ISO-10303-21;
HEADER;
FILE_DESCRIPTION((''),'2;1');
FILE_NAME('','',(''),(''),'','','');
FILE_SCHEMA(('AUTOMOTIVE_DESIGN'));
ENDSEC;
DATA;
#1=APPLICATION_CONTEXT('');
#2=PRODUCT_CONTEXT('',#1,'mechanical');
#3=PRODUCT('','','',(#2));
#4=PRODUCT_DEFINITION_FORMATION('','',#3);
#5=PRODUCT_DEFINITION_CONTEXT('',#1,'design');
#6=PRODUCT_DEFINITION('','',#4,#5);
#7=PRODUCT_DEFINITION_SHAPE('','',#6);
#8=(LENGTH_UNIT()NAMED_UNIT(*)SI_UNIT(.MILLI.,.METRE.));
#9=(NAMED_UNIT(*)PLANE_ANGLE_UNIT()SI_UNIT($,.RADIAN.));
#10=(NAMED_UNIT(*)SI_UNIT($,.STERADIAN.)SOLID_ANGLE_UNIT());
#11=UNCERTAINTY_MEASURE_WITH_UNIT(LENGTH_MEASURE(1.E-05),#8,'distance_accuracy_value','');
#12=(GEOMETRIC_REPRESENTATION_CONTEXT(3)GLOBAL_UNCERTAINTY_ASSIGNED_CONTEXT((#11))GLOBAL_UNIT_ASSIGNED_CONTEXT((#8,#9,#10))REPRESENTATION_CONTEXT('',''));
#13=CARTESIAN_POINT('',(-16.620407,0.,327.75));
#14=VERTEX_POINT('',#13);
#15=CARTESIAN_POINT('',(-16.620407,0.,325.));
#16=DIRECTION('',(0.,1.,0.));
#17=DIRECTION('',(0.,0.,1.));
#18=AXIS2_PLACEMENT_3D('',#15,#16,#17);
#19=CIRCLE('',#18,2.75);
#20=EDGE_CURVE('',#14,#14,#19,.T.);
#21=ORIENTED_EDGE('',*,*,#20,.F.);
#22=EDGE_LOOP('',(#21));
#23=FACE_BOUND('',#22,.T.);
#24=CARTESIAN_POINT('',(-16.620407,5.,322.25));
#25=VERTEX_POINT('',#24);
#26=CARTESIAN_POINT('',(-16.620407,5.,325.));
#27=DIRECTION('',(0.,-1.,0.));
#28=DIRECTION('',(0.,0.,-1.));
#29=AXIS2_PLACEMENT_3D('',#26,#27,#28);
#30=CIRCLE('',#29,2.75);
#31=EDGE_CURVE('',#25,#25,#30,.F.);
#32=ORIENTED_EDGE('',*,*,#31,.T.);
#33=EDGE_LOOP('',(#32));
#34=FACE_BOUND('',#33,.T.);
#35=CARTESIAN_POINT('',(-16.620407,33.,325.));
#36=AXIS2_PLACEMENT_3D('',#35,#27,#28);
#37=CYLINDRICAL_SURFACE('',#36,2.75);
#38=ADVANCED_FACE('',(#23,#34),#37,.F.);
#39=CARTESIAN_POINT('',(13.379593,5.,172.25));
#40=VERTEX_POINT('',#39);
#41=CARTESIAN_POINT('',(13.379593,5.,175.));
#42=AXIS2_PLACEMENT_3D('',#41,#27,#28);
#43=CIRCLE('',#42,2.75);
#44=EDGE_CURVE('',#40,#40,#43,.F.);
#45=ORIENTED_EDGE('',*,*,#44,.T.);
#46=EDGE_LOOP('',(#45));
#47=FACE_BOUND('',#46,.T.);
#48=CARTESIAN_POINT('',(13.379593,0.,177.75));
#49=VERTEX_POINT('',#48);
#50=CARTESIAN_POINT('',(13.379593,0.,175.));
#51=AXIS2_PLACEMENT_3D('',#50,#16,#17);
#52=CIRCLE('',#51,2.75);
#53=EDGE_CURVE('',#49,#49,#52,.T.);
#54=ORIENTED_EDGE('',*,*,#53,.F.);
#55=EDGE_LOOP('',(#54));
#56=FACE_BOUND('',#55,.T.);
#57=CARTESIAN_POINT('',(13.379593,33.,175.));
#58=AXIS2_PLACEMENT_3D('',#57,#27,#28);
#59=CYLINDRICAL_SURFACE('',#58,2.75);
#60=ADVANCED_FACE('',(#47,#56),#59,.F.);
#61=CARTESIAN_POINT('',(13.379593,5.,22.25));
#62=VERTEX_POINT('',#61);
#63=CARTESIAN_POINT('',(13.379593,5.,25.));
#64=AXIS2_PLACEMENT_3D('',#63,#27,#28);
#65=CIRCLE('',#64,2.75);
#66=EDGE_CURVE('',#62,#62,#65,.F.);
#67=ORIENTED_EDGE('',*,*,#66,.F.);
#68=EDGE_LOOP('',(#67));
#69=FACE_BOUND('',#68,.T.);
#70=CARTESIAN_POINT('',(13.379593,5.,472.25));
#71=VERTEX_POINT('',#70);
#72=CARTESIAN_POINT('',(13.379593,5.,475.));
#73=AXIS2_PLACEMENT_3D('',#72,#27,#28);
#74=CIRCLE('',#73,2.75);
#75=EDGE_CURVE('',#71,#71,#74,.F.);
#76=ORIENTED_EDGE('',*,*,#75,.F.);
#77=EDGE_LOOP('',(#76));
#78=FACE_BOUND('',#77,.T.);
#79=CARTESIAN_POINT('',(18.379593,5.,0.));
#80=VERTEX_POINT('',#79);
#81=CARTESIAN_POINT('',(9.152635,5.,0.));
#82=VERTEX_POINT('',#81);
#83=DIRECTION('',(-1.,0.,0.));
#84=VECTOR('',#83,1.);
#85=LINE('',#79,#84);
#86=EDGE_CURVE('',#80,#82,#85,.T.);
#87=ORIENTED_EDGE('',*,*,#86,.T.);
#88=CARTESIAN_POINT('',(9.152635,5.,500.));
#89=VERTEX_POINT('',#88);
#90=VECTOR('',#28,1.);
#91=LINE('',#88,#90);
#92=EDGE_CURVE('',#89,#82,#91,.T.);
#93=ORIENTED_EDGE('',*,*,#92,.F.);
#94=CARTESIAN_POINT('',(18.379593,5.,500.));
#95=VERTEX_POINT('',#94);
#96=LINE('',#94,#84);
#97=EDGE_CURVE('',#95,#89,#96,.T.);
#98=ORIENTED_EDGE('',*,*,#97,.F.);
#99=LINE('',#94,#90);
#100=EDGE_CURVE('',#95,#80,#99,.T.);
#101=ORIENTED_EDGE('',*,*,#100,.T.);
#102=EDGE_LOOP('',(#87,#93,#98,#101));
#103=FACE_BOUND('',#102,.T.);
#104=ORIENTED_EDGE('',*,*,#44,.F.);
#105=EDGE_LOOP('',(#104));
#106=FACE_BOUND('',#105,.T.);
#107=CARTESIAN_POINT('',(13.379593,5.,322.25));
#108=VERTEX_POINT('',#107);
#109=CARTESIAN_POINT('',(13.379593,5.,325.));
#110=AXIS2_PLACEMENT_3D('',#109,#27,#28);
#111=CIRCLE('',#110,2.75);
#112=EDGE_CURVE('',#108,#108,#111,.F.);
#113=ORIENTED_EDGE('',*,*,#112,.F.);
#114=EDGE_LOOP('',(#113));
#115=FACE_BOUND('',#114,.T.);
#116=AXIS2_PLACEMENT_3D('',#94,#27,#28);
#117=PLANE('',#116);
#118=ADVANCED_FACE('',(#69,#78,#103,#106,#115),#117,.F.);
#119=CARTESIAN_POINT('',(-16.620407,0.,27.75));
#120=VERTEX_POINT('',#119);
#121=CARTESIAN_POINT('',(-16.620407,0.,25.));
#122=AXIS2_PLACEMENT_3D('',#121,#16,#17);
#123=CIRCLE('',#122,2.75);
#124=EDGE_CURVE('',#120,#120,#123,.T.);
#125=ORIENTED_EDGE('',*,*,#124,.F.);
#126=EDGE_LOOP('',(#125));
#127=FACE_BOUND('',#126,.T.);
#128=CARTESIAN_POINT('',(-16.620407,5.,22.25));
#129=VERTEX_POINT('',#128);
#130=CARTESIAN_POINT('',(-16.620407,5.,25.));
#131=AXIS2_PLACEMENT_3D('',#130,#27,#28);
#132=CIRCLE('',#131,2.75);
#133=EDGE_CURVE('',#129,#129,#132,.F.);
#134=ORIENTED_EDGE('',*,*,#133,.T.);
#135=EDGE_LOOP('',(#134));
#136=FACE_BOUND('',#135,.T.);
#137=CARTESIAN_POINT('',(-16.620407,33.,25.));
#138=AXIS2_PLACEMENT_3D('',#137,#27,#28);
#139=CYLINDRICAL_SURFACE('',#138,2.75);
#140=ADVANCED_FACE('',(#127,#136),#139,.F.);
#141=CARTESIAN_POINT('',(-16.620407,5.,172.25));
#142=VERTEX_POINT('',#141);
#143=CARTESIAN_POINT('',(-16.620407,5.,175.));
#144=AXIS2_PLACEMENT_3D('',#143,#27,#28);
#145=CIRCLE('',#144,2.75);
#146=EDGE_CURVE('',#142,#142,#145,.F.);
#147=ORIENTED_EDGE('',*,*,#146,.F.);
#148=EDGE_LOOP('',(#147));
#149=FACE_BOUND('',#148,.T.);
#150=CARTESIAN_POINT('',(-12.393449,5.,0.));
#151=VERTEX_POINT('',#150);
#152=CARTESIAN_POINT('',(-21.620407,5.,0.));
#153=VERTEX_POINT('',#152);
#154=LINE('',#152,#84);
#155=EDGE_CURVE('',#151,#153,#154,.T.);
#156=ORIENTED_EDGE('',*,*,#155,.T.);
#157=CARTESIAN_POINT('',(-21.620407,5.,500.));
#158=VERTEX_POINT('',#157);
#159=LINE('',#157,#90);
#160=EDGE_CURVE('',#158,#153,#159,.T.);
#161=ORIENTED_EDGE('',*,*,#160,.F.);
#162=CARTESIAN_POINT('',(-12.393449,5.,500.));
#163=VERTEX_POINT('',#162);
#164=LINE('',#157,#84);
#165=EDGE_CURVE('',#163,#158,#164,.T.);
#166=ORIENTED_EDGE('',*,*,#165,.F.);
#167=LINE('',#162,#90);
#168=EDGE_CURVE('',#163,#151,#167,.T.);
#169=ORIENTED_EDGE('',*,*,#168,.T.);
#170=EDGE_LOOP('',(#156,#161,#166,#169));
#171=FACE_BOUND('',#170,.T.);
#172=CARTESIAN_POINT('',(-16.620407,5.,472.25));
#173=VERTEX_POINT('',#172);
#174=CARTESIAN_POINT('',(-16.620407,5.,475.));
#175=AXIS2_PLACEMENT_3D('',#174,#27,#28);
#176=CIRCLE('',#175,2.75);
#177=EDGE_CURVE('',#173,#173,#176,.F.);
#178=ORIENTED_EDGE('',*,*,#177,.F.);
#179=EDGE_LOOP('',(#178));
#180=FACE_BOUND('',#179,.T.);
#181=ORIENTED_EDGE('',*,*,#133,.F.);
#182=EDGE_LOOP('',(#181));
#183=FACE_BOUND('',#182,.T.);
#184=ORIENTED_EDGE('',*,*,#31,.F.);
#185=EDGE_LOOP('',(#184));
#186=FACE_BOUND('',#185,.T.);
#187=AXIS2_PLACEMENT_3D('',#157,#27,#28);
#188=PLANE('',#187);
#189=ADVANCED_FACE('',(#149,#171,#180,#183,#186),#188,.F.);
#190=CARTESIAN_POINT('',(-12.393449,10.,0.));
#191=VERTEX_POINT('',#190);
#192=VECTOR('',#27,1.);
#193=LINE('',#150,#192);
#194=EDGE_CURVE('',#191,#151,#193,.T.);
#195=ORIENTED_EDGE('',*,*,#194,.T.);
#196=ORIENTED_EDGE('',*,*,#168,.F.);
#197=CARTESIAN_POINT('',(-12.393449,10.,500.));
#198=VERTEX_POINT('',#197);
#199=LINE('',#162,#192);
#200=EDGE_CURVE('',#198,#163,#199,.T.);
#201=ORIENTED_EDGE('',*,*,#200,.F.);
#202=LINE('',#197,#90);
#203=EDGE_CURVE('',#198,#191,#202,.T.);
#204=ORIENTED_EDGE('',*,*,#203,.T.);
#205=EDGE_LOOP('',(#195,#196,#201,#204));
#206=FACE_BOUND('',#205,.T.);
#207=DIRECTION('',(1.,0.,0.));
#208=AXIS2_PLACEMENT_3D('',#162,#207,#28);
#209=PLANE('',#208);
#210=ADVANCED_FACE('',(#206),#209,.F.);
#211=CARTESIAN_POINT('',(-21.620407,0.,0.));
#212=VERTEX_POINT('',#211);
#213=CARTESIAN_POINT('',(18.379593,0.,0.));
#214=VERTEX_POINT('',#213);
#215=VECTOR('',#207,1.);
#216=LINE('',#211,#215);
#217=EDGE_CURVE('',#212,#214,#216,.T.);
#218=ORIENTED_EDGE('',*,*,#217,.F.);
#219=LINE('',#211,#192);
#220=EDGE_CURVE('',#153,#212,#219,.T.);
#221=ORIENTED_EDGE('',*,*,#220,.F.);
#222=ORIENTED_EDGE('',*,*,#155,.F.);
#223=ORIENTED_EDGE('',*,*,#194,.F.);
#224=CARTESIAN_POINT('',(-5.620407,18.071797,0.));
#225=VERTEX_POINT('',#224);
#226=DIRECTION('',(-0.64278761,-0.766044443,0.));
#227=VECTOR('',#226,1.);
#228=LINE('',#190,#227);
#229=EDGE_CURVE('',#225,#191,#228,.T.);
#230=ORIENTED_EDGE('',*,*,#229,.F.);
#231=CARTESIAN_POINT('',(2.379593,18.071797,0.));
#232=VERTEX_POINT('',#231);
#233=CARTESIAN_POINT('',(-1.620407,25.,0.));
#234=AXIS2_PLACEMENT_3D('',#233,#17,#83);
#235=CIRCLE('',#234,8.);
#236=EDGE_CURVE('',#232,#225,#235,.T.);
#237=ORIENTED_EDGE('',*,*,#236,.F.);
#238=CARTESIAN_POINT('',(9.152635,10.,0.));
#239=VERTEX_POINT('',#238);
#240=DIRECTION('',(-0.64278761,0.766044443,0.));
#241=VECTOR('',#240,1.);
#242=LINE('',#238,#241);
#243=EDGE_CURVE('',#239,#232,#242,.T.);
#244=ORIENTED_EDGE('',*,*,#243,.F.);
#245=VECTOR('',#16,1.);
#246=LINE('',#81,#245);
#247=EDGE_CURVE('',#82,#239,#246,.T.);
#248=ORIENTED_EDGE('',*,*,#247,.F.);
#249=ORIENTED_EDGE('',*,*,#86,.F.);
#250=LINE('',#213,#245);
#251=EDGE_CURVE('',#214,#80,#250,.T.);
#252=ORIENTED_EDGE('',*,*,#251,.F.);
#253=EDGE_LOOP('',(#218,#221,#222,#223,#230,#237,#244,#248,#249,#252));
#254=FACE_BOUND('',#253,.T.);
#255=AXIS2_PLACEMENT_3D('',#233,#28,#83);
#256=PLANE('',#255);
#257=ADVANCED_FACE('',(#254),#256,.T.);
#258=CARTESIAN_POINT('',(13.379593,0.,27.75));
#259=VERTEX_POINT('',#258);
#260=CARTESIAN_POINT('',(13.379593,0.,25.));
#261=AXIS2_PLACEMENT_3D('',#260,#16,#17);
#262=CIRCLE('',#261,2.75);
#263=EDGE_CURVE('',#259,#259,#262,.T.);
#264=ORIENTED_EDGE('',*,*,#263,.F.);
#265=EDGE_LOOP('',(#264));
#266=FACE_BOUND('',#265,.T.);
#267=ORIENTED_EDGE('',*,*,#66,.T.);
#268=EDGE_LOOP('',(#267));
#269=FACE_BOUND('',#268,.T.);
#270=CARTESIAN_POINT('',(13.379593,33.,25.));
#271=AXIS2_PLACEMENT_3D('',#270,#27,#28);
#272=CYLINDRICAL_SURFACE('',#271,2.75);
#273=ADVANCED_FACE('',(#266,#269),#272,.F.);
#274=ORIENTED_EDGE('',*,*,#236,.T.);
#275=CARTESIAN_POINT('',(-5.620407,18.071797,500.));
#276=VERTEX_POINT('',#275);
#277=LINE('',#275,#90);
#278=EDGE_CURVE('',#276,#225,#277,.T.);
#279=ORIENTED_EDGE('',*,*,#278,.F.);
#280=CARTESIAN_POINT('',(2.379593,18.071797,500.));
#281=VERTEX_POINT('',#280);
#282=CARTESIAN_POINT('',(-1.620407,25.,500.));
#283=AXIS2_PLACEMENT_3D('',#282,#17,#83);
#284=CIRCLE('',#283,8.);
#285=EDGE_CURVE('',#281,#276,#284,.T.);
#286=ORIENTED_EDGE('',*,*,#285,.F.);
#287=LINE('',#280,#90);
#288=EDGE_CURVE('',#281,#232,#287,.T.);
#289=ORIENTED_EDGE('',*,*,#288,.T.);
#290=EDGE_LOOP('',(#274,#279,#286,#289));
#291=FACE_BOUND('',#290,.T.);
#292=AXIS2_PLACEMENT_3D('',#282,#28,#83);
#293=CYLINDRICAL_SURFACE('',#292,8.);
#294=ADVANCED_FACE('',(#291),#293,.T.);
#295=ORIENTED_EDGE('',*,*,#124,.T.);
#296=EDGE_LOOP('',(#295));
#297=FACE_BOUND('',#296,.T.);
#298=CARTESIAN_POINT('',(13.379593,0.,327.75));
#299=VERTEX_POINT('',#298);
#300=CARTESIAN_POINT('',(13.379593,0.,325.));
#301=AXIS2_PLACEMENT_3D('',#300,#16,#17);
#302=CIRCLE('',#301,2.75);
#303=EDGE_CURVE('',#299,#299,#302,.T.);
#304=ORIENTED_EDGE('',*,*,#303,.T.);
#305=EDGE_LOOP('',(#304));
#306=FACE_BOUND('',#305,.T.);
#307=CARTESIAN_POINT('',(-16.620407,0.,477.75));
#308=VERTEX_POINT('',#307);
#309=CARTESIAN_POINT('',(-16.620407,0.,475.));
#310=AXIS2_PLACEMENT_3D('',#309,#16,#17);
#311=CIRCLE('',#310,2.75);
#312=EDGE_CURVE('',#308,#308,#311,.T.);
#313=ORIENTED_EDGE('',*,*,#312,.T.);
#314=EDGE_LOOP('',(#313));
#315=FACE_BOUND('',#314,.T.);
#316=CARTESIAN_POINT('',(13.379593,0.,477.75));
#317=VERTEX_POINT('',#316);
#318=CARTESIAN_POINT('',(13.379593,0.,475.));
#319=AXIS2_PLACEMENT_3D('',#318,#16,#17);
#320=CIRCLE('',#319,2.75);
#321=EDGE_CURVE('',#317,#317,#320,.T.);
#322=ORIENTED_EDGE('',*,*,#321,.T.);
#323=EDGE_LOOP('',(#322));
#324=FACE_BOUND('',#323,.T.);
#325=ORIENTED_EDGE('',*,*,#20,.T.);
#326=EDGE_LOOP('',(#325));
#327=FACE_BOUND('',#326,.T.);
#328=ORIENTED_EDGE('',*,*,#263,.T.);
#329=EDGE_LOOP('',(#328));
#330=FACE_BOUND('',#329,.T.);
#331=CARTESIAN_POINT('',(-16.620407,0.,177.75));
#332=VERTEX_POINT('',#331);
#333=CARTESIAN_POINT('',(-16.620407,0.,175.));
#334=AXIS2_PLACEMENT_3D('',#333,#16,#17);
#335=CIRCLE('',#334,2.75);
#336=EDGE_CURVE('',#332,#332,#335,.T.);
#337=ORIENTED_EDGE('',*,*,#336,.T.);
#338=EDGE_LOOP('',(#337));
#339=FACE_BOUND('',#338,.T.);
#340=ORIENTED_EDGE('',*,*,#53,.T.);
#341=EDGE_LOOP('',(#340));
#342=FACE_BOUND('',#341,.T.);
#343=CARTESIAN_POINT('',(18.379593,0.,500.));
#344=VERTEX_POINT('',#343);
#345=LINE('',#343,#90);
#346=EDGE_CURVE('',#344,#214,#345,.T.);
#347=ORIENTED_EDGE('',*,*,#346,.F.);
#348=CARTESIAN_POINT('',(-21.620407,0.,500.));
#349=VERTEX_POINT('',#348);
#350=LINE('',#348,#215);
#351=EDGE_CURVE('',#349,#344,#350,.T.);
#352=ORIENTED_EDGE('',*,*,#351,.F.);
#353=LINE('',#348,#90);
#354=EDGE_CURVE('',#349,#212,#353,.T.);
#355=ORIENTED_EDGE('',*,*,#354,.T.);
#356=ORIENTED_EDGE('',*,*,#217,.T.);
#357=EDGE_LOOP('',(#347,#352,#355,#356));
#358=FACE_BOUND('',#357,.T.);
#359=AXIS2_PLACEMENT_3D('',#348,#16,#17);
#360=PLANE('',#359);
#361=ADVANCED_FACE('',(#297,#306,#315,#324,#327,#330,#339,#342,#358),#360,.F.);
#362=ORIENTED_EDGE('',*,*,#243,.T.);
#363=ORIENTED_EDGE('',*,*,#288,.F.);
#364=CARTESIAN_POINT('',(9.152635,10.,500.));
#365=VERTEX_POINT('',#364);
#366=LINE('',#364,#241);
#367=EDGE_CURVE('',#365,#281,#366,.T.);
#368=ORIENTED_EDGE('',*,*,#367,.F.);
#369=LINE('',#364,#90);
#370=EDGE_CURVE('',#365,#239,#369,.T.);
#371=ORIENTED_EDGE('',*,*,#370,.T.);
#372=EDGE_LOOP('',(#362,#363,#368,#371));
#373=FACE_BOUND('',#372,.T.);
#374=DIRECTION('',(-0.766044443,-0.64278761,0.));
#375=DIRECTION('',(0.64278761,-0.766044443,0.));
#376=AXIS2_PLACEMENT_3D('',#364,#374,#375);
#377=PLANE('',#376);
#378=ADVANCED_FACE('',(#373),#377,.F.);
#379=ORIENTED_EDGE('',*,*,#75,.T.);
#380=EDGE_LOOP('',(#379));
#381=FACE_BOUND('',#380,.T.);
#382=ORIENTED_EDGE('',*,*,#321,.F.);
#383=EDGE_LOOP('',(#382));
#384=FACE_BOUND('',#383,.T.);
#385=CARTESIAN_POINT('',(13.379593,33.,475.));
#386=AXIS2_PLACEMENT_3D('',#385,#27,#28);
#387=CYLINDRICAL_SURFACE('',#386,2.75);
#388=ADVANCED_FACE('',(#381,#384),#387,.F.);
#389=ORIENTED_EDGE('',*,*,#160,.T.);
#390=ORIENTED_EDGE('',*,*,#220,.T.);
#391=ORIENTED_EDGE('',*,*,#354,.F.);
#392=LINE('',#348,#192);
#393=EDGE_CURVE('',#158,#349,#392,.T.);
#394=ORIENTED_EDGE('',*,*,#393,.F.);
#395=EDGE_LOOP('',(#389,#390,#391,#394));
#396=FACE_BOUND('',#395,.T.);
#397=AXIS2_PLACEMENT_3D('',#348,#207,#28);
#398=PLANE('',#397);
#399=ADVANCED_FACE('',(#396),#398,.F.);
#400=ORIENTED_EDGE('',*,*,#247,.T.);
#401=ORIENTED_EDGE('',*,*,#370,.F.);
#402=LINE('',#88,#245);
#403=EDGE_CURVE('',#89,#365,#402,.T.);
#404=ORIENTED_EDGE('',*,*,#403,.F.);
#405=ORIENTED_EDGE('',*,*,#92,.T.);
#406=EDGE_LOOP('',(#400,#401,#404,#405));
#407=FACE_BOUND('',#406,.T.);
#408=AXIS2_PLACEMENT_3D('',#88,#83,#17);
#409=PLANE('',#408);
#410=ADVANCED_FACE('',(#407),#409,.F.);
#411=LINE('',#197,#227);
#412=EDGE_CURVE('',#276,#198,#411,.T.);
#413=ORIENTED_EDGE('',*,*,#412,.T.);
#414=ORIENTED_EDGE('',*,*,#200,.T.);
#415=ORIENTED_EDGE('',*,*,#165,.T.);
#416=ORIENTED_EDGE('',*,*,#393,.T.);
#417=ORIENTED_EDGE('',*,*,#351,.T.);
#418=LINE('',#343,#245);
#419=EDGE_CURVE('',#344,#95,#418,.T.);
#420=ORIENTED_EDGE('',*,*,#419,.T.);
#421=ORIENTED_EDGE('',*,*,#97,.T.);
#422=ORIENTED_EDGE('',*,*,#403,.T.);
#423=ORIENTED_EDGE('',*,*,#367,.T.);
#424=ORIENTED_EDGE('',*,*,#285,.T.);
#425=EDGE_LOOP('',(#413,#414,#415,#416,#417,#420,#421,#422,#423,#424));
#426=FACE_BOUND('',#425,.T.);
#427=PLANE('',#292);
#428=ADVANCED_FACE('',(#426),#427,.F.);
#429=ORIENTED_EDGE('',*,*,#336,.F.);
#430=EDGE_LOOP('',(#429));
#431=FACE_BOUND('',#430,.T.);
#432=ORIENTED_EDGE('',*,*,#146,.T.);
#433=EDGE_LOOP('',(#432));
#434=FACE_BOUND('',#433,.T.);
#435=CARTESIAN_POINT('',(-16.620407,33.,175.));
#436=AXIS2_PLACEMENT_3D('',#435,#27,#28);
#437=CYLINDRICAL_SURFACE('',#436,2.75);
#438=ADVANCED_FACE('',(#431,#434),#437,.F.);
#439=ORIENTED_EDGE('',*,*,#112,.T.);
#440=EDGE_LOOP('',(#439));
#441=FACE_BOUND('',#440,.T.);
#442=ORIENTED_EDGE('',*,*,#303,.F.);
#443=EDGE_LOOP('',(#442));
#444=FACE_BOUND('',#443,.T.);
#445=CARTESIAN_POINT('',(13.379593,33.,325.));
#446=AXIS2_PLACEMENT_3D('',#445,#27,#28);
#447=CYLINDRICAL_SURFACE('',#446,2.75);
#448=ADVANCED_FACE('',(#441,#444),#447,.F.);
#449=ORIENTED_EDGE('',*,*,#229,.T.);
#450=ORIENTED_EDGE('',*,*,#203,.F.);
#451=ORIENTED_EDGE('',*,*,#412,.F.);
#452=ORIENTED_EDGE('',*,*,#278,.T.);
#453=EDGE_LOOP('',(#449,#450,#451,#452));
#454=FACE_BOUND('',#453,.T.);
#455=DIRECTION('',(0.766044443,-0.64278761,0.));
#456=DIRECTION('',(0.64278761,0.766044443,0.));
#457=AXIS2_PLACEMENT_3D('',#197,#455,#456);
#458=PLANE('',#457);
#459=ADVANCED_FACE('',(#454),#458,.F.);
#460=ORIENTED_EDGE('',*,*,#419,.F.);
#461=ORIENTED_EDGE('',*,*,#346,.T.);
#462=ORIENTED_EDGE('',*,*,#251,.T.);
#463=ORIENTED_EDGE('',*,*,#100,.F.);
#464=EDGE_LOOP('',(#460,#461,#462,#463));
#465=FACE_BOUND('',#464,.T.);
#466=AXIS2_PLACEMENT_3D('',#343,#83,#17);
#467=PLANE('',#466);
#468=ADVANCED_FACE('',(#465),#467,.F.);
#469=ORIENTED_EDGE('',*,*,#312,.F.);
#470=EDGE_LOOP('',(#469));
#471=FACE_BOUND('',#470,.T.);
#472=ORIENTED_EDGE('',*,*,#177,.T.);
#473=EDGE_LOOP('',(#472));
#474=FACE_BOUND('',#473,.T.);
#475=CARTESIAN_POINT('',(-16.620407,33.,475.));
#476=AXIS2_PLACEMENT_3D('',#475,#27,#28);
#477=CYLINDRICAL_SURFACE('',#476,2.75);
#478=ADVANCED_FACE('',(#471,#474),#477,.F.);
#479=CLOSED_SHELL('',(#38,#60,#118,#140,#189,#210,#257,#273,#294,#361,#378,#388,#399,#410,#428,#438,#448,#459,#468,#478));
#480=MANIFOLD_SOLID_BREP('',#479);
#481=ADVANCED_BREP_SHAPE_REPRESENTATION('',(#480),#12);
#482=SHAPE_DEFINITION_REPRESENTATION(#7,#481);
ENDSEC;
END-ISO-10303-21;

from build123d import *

# Parameters (mm, degrees)
BOSS_EXTRUDE1_DEPTH = 500
SKETCH2_R           = 2.75
CUT_EXTRUDE1_DEPTH  = 502.554026994


with BuildPart() as part:
    # Sketch1 → Boss-Extrude1 (new body)
    with BuildSketch(Plane.XY):
        with BuildLine():
            Line((-21.620406895, 0), (18.379593105, 0))
            Line((18.379593105, 0), (18.379593105, 5))
            Line((18.379593105, 5), (9.152634797, 5))
            Line((9.152634797, 5), (9.152634797, 10))
            Line((9.152634797, 10), (2.379593105, 18.07179677))
            ThreePointArc((2.379593105, 18.07179677), (-1.620406895, 33), (-5.620406895, 18.07179677))
            Line((-5.620406895, 18.07179677), (-12.393448588, 10))
            Line((-12.393448588, 10), (-12.393448588, 5))
            Line((-12.393448588, 5), (-21.620406895, 5))
            Line((-21.620406895, 5), (-21.620406895, 0))
        make_face()
    extrude(amount=BOSS_EXTRUDE1_DEPTH)

    # Sketch2 → Cut-Extrude1 (cut, through all)
    with BuildSketch(Plane(origin=(0, 0, 0), x_dir=(1, 0, 0), z_dir=(0, 1, 0))):
        with Locations(Location((-16.620406895, -475, 0), (0, 0, 90))):
            Circle(SKETCH2_R)
        with Locations(Location((13.379593105, -475, 0), (0, 0, 90))):
            Circle(SKETCH2_R)
        with Locations(Location((-16.620406895, -325, 0), (0, 0, 90))):
            Circle(SKETCH2_R)
        with Locations(Location((13.379593105, -325, 0), (0, 0, 90))):
            Circle(SKETCH2_R)
        with Locations(Location((-16.620406895, -175, 0), (0, 0, 90))):
            Circle(SKETCH2_R)
        with Locations(Location((13.379593105, -175, 0), (0, 0, 90))):
            Circle(SKETCH2_R)
        with Locations(Location((-16.620406895, -25, 0), (0, 0, 90))):
            Circle(SKETCH2_R)
        with Locations(Location((13.379593105, -25, 0), (0, 0, 90))):
            Circle(SKETCH2_R)
    extrude(amount=CUT_EXTRUDE1_DEPTH, mode=Mode.SUBTRACT)


solid = part.part
